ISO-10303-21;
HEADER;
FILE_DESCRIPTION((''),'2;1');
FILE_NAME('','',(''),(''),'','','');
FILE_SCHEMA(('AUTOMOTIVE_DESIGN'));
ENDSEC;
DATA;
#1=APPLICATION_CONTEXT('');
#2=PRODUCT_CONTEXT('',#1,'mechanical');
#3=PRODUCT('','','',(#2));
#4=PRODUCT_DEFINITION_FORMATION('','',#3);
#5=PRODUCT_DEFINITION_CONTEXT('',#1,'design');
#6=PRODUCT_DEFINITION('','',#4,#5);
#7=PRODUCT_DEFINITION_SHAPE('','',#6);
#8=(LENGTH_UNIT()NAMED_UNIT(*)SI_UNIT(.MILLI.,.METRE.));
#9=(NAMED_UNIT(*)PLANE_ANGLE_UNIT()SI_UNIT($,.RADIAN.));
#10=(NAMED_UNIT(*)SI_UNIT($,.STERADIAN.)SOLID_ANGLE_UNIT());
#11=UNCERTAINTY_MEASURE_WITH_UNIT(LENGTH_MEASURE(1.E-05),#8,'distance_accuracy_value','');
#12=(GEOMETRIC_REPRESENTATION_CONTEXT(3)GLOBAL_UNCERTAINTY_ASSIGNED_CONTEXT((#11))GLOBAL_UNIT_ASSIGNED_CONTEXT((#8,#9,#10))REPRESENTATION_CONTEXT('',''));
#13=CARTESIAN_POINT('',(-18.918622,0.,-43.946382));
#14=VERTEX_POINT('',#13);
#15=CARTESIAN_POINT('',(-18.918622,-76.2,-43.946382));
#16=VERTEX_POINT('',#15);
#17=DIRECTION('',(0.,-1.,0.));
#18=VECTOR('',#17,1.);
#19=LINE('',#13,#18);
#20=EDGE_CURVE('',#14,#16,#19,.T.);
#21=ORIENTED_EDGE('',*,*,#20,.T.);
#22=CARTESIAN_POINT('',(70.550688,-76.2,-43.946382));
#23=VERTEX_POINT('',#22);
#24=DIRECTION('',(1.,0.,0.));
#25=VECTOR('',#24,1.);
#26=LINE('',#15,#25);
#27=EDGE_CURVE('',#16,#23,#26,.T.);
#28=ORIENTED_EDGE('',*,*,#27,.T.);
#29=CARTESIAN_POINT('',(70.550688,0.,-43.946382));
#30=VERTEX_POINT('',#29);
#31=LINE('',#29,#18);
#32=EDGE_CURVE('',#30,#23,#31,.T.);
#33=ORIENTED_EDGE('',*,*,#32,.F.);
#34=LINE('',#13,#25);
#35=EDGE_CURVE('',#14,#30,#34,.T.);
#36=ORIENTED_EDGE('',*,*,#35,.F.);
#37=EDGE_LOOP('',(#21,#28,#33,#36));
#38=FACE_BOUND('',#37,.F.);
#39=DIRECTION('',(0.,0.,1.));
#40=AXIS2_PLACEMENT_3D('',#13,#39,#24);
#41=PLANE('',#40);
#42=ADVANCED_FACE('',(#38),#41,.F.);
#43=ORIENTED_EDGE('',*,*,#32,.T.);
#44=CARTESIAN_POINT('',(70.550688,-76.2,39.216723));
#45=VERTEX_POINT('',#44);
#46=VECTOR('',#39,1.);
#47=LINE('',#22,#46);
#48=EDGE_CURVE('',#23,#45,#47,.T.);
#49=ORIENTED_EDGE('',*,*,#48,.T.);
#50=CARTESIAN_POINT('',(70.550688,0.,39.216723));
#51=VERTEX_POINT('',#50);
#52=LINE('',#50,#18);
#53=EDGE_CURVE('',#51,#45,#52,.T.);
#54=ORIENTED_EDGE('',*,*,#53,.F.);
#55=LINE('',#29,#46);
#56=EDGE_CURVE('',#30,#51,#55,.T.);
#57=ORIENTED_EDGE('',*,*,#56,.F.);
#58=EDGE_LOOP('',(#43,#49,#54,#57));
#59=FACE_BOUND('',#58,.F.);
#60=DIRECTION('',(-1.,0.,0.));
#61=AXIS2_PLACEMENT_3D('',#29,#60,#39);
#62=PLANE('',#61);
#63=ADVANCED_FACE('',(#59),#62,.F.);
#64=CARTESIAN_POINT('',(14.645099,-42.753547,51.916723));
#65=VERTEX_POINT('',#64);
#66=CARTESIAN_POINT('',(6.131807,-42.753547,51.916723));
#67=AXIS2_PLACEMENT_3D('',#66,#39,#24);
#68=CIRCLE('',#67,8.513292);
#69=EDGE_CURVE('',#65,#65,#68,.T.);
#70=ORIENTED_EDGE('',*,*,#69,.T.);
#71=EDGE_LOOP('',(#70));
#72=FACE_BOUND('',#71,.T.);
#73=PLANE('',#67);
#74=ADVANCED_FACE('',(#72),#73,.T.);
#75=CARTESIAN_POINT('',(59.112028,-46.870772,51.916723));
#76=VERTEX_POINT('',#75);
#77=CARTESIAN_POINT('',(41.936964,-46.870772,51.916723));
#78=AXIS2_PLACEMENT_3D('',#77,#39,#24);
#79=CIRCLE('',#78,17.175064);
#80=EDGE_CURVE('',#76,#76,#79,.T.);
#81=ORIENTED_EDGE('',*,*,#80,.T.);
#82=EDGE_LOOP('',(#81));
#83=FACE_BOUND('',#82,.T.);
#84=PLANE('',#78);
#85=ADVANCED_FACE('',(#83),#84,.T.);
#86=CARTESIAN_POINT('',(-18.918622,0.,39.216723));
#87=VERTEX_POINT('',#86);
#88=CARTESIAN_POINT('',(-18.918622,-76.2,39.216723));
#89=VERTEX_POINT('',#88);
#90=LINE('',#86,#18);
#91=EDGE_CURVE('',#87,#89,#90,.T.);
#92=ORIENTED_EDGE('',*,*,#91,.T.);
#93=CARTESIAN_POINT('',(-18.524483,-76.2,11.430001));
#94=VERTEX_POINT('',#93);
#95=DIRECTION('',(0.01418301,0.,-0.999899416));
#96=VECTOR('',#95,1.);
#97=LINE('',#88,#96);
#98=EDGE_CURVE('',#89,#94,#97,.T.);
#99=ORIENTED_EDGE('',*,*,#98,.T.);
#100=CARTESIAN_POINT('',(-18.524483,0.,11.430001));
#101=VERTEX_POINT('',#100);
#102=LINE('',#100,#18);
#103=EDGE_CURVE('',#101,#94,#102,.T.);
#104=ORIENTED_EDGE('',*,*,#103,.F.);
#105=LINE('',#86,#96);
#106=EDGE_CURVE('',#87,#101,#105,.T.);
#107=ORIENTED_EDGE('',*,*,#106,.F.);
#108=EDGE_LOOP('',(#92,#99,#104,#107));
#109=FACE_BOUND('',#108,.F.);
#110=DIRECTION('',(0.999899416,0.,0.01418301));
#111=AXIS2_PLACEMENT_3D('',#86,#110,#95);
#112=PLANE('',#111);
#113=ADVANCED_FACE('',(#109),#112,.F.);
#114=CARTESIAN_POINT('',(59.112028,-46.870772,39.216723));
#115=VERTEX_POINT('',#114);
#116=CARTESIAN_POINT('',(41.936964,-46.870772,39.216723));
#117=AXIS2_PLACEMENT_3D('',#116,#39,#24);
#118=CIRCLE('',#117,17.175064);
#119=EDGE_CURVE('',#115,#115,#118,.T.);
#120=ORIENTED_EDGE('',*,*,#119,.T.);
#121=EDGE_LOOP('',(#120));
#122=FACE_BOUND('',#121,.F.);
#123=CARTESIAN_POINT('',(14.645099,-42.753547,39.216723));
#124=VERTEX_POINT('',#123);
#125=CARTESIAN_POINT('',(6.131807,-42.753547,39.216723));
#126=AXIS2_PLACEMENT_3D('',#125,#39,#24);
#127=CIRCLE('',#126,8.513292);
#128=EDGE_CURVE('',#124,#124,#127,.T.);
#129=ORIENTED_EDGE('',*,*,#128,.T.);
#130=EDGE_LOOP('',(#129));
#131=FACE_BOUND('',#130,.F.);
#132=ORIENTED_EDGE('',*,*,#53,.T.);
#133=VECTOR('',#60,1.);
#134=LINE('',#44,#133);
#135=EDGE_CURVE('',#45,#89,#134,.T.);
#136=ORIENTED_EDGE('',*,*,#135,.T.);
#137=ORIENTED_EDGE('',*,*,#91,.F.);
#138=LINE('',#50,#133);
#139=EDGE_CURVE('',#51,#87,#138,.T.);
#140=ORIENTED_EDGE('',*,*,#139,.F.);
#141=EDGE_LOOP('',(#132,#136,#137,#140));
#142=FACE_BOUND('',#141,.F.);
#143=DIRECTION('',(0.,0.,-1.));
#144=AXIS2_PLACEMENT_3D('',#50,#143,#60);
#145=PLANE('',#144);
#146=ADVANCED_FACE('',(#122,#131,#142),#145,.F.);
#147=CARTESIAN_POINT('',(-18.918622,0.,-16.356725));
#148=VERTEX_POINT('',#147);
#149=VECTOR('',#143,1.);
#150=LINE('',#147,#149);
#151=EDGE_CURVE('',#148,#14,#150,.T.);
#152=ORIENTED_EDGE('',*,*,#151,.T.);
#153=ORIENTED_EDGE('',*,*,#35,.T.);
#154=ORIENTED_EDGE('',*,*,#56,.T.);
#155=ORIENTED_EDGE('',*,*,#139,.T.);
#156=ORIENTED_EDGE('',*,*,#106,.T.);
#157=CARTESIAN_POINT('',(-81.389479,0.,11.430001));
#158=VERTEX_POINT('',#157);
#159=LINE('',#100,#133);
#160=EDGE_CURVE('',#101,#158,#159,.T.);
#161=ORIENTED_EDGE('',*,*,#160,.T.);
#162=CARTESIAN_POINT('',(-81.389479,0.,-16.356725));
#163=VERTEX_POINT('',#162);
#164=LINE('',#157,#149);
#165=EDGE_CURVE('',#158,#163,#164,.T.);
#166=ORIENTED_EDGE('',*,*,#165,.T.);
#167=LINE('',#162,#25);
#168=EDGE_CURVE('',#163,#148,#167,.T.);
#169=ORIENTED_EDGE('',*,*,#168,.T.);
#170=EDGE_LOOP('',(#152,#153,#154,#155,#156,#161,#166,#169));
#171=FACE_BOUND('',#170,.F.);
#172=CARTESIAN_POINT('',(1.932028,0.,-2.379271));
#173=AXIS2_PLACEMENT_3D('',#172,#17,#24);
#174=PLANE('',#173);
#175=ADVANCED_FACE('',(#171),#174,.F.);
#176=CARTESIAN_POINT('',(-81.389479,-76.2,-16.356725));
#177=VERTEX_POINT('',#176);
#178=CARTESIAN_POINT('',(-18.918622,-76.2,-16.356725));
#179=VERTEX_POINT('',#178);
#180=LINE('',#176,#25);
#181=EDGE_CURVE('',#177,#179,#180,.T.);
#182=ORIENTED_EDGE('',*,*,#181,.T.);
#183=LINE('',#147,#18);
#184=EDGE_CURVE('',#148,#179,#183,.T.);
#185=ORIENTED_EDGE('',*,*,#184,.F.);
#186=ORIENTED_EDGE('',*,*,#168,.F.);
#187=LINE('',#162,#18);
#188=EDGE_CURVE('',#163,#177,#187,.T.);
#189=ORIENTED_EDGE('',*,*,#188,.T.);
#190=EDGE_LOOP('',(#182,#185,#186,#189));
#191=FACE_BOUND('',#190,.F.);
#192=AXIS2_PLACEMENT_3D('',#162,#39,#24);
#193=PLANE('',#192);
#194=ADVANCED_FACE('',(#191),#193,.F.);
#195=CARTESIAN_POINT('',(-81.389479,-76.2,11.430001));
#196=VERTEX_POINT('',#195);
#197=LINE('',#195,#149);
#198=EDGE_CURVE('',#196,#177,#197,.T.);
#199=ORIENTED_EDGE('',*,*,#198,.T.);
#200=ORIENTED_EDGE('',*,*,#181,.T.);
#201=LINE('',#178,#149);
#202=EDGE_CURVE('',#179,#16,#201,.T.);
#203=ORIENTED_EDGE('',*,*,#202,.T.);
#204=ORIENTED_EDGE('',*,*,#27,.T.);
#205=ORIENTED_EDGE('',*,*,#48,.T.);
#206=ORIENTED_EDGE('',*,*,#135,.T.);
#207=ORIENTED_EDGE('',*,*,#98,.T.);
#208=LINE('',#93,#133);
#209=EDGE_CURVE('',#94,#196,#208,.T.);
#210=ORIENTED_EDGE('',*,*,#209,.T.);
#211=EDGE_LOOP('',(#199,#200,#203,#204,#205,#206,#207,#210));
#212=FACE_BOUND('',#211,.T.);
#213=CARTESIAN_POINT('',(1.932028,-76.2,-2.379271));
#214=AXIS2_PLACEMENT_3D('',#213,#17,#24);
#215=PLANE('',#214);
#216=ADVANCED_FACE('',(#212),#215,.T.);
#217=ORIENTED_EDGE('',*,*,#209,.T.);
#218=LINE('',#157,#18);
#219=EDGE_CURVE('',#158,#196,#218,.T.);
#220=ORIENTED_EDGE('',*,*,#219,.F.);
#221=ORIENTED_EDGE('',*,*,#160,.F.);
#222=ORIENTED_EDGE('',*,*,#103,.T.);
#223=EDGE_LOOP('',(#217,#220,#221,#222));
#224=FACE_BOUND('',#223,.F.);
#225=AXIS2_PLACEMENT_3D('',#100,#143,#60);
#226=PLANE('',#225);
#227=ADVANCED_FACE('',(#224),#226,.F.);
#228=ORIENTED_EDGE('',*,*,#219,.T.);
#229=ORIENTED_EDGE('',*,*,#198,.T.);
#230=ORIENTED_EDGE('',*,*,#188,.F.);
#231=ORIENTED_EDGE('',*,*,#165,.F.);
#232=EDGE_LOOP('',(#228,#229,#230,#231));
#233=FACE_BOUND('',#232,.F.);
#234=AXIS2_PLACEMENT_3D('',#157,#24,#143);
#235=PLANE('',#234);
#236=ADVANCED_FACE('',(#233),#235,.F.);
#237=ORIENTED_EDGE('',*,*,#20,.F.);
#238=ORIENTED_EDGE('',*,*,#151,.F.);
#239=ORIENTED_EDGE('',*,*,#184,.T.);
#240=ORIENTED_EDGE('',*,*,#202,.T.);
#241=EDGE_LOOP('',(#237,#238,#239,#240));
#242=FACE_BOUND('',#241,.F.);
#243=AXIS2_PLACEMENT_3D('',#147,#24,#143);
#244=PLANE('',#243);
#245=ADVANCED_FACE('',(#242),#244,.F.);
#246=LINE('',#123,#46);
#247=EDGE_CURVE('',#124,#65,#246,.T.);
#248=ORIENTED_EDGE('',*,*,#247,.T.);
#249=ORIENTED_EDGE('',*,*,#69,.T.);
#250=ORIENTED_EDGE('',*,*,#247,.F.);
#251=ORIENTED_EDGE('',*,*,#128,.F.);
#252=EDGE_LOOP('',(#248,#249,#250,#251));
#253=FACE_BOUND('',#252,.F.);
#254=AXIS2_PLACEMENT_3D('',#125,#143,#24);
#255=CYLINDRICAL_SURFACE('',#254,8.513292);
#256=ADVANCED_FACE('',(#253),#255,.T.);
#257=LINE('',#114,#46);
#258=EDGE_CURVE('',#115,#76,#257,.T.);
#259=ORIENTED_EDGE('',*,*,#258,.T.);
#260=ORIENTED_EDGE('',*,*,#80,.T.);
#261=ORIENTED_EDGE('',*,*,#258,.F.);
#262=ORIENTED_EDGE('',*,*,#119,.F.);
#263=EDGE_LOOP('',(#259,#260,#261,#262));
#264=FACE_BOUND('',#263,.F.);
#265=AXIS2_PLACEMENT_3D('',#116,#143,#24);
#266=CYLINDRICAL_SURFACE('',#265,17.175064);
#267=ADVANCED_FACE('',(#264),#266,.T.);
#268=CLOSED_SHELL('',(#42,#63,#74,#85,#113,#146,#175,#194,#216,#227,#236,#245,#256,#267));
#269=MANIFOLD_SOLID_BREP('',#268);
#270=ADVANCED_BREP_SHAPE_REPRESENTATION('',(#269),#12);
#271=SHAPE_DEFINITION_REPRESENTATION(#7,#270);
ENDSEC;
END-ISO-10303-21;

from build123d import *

# Parameters (mm, degrees)
F1_DEPTH = 76.2
F2_R     = 17.175064
F2_R_2   = 8.513292
F3_DEPTH = 12.7


with BuildPart() as f1:
    # F0 (on Front) → F1 (new body)
    with BuildSketch(Plane.XZ):
        Polygon((-18.524483, 11.430001), (-81.389479, 11.430001), (-81.389479, -16.356725), (-18.918622, -16.356725), (-18.918622, -43.946382), (70.550688, -43.946382), (70.550688, 39.216723), (-18.918622, 39.216723), align=None)
    extrude(amount=F1_DEPTH)

    # F2 (on face) → F3 (join)
    with BuildSketch(Plane.XY.offset(39.216723)):
        with Locations((41.936964, -46.870772)):
            Circle(F2_R)
        with Locations((6.131807, -42.753547)):
            Circle(F2_R_2)
    extrude(amount=F3_DEPTH)


solid = f1.part
